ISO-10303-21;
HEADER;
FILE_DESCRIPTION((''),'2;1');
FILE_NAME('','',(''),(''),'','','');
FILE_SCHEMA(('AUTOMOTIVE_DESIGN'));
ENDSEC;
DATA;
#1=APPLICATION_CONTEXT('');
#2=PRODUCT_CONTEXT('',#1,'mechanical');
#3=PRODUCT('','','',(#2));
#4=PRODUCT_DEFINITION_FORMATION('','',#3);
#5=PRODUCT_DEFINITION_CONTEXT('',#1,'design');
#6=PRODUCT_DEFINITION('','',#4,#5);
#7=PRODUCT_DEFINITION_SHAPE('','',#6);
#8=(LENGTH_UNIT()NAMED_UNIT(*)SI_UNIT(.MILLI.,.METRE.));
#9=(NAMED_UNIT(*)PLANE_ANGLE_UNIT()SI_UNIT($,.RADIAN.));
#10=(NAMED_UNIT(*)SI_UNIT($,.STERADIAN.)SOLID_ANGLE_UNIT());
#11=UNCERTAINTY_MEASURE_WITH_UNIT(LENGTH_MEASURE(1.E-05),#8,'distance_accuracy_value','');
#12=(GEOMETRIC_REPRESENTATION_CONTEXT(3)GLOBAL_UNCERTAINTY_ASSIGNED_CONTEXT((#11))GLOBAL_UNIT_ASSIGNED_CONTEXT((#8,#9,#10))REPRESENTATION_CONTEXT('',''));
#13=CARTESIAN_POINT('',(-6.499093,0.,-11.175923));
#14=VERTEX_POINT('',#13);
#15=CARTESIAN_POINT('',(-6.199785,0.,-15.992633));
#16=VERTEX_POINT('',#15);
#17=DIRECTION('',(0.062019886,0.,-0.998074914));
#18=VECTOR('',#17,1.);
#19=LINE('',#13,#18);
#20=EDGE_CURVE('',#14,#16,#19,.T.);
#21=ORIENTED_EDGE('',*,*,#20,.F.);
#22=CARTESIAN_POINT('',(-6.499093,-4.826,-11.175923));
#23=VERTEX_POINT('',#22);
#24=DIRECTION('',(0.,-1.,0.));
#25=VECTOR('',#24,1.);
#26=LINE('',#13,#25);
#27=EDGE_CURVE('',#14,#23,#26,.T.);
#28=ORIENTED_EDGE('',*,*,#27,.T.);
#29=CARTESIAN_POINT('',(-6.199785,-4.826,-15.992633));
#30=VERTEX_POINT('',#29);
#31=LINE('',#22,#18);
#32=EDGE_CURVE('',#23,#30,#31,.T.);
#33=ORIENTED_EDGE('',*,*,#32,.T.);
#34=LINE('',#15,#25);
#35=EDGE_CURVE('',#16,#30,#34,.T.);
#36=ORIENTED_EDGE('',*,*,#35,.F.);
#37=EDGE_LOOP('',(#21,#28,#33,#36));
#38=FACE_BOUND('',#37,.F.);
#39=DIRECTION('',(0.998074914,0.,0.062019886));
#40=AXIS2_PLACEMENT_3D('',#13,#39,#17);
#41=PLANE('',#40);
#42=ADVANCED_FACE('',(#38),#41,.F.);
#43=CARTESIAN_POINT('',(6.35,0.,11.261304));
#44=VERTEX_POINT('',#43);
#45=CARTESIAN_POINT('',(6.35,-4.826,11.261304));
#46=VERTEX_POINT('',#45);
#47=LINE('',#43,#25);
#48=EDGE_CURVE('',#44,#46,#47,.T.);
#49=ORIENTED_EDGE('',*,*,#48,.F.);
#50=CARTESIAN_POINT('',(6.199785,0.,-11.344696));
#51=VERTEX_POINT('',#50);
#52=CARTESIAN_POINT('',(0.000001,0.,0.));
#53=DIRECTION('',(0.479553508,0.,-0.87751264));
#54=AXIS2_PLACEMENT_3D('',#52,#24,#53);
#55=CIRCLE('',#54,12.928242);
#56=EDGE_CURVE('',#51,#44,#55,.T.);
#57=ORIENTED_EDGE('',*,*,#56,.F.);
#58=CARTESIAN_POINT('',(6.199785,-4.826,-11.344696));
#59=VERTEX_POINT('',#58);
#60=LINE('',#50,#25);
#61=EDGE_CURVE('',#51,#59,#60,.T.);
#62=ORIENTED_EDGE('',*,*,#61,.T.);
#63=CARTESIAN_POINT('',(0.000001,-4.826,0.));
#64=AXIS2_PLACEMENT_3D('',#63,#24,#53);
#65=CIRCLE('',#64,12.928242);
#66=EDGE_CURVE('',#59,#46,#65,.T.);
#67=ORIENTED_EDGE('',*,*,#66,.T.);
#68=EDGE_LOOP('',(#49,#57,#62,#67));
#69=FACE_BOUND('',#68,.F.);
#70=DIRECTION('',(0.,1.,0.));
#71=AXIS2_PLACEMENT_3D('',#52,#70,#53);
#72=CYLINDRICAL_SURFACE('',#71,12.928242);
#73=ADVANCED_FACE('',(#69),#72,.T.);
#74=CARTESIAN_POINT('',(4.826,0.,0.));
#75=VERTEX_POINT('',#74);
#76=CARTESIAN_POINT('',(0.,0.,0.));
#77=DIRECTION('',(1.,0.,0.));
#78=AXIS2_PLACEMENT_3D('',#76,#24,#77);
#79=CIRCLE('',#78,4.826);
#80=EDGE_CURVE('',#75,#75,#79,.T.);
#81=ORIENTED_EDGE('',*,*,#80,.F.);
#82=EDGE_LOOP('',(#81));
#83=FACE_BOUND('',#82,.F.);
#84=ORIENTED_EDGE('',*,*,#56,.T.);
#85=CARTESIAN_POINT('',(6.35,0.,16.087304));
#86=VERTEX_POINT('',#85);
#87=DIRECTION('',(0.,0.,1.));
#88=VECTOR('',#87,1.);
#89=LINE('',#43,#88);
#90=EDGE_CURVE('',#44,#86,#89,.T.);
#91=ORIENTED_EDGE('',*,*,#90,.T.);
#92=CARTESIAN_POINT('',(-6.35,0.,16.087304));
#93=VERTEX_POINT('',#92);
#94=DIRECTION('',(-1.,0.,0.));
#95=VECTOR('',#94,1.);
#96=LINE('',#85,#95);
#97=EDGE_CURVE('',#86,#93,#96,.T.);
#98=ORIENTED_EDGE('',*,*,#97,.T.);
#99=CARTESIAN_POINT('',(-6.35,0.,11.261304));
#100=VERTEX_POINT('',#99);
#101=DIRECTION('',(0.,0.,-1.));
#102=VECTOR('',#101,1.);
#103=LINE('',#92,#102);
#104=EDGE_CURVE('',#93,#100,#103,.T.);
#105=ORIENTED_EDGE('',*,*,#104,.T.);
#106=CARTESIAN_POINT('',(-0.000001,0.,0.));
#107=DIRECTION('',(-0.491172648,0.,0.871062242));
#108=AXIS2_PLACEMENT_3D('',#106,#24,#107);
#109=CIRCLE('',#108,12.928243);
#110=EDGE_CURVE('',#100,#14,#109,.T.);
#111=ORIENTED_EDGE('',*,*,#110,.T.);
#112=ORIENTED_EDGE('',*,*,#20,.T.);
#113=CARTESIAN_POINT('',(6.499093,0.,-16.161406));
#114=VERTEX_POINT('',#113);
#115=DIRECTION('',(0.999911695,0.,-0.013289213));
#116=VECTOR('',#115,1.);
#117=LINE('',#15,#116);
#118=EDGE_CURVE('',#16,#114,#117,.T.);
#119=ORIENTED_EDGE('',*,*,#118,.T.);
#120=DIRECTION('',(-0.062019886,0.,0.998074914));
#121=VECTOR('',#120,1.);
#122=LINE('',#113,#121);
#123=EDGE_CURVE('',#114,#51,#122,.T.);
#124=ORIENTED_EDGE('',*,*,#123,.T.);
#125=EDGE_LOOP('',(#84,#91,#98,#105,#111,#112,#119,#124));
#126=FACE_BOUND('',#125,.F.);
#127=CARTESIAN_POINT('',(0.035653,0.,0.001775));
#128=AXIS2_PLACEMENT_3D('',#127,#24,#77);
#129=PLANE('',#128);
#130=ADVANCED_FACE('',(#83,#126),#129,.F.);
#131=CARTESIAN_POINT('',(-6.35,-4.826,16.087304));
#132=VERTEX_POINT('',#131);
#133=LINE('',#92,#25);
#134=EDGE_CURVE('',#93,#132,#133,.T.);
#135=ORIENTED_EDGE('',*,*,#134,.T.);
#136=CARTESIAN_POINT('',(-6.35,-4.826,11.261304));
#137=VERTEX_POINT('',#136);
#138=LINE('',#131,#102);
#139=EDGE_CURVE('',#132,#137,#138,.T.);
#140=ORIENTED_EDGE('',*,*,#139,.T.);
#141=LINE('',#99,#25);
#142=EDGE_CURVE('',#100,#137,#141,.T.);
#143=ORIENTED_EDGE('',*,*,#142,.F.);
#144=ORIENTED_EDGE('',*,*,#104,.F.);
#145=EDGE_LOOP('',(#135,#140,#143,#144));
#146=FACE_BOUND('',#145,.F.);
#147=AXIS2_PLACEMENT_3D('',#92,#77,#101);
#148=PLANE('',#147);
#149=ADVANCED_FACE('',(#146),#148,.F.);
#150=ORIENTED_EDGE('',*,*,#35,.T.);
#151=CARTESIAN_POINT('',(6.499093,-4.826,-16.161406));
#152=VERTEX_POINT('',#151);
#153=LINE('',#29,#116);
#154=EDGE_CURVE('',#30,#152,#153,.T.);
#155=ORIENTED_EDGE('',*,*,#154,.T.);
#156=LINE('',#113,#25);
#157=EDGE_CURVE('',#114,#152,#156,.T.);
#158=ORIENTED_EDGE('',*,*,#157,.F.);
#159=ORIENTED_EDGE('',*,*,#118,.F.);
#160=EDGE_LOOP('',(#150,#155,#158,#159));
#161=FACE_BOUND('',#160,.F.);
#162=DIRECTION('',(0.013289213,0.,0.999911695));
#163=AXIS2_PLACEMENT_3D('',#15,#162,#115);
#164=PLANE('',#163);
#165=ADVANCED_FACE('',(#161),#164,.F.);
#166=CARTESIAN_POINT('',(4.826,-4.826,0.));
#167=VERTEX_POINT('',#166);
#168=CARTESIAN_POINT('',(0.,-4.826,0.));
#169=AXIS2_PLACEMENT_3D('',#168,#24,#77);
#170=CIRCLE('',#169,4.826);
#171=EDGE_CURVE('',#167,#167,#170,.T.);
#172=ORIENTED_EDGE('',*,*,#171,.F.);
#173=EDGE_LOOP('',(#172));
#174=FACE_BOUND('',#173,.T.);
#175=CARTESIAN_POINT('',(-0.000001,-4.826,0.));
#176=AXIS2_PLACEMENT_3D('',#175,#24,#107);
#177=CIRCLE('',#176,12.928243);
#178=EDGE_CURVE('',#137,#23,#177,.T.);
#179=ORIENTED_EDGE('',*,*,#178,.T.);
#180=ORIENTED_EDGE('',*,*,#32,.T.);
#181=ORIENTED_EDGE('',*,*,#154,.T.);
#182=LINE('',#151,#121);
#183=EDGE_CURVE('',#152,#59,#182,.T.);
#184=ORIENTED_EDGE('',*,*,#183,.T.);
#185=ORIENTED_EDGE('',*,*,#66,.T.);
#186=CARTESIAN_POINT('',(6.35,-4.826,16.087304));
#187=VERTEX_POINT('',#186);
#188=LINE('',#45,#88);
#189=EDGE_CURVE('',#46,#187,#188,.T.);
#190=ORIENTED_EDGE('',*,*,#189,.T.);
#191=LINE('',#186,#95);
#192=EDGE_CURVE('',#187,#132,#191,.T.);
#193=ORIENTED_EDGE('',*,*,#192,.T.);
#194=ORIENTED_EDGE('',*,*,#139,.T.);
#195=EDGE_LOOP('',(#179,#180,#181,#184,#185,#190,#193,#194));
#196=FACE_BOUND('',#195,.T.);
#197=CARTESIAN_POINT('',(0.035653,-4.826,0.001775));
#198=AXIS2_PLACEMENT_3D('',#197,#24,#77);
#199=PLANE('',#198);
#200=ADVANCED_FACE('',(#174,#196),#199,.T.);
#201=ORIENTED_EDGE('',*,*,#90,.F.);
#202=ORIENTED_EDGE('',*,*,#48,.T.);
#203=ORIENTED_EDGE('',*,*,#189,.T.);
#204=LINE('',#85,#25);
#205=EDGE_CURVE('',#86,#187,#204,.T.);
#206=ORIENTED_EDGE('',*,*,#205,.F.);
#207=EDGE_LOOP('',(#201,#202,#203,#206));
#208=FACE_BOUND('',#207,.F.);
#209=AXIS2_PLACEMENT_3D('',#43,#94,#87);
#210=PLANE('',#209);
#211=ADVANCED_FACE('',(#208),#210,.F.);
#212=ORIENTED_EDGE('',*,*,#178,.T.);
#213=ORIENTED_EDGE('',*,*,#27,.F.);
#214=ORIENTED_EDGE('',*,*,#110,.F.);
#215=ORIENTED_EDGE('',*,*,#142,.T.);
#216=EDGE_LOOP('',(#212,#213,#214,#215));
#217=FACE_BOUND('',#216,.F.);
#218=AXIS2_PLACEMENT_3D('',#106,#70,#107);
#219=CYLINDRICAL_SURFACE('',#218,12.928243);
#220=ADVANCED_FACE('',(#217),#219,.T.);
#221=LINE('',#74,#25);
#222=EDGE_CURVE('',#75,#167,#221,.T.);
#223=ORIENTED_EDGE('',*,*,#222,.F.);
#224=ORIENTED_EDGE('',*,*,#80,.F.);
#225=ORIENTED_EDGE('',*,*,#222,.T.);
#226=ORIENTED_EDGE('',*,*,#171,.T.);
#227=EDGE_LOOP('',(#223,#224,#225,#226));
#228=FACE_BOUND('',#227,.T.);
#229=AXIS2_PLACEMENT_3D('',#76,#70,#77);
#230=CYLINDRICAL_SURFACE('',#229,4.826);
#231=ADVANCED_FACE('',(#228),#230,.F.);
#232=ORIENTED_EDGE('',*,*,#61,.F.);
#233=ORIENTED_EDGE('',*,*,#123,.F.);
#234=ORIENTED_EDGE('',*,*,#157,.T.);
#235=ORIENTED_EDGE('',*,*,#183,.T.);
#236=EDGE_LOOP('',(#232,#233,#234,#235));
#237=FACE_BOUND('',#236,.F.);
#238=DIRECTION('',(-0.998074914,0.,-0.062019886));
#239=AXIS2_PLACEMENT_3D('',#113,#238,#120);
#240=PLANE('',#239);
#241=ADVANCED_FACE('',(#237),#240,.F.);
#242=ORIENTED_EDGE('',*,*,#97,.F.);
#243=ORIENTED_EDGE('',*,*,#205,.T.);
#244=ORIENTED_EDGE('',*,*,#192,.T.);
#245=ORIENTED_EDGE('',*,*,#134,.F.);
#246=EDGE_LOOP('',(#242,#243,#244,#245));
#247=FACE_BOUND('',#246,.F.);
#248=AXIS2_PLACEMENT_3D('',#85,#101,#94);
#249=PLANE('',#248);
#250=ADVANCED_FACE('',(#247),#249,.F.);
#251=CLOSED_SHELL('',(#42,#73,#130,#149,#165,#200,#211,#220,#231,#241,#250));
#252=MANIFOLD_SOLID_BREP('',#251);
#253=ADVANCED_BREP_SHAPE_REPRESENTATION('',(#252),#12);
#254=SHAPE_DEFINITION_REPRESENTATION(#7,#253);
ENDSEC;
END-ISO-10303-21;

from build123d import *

# Parameters (mm, degrees)
F0_R     = 4.826
F1_DEPTH = 4.826


with BuildPart() as f1:
    # F0 (on Front) → F1 (new body)
    with BuildSketch(Plane.XZ):
        with BuildLine():
            Line((-6.199785, -15.992633), (6.499093, -16.161406))
            Line((6.499093, -16.161406), (6.199785, -11.344696))
            ThreePointArc((6.199785, -11.344696), (12.927958, -0.085905), (6.35, 11.261304))
            Line((6.35, 11.261304), (6.35, 16.087304))
            Line((6.35, 16.087304), (-6.35, 16.087304))
            Line((-6.35, 16.087304), (-6.35, 11.261304))
            ThreePointArc((-6.35, 11.261304), (-12.927958, 0.085905), (-6.499093, -11.175923))
            Line((-6.499093, -11.175923), (-6.199785, -15.992633))
        make_face()
        Circle(F0_R, mode=Mode.SUBTRACT)
    extrude(amount=F1_DEPTH)


solid = f1.part
